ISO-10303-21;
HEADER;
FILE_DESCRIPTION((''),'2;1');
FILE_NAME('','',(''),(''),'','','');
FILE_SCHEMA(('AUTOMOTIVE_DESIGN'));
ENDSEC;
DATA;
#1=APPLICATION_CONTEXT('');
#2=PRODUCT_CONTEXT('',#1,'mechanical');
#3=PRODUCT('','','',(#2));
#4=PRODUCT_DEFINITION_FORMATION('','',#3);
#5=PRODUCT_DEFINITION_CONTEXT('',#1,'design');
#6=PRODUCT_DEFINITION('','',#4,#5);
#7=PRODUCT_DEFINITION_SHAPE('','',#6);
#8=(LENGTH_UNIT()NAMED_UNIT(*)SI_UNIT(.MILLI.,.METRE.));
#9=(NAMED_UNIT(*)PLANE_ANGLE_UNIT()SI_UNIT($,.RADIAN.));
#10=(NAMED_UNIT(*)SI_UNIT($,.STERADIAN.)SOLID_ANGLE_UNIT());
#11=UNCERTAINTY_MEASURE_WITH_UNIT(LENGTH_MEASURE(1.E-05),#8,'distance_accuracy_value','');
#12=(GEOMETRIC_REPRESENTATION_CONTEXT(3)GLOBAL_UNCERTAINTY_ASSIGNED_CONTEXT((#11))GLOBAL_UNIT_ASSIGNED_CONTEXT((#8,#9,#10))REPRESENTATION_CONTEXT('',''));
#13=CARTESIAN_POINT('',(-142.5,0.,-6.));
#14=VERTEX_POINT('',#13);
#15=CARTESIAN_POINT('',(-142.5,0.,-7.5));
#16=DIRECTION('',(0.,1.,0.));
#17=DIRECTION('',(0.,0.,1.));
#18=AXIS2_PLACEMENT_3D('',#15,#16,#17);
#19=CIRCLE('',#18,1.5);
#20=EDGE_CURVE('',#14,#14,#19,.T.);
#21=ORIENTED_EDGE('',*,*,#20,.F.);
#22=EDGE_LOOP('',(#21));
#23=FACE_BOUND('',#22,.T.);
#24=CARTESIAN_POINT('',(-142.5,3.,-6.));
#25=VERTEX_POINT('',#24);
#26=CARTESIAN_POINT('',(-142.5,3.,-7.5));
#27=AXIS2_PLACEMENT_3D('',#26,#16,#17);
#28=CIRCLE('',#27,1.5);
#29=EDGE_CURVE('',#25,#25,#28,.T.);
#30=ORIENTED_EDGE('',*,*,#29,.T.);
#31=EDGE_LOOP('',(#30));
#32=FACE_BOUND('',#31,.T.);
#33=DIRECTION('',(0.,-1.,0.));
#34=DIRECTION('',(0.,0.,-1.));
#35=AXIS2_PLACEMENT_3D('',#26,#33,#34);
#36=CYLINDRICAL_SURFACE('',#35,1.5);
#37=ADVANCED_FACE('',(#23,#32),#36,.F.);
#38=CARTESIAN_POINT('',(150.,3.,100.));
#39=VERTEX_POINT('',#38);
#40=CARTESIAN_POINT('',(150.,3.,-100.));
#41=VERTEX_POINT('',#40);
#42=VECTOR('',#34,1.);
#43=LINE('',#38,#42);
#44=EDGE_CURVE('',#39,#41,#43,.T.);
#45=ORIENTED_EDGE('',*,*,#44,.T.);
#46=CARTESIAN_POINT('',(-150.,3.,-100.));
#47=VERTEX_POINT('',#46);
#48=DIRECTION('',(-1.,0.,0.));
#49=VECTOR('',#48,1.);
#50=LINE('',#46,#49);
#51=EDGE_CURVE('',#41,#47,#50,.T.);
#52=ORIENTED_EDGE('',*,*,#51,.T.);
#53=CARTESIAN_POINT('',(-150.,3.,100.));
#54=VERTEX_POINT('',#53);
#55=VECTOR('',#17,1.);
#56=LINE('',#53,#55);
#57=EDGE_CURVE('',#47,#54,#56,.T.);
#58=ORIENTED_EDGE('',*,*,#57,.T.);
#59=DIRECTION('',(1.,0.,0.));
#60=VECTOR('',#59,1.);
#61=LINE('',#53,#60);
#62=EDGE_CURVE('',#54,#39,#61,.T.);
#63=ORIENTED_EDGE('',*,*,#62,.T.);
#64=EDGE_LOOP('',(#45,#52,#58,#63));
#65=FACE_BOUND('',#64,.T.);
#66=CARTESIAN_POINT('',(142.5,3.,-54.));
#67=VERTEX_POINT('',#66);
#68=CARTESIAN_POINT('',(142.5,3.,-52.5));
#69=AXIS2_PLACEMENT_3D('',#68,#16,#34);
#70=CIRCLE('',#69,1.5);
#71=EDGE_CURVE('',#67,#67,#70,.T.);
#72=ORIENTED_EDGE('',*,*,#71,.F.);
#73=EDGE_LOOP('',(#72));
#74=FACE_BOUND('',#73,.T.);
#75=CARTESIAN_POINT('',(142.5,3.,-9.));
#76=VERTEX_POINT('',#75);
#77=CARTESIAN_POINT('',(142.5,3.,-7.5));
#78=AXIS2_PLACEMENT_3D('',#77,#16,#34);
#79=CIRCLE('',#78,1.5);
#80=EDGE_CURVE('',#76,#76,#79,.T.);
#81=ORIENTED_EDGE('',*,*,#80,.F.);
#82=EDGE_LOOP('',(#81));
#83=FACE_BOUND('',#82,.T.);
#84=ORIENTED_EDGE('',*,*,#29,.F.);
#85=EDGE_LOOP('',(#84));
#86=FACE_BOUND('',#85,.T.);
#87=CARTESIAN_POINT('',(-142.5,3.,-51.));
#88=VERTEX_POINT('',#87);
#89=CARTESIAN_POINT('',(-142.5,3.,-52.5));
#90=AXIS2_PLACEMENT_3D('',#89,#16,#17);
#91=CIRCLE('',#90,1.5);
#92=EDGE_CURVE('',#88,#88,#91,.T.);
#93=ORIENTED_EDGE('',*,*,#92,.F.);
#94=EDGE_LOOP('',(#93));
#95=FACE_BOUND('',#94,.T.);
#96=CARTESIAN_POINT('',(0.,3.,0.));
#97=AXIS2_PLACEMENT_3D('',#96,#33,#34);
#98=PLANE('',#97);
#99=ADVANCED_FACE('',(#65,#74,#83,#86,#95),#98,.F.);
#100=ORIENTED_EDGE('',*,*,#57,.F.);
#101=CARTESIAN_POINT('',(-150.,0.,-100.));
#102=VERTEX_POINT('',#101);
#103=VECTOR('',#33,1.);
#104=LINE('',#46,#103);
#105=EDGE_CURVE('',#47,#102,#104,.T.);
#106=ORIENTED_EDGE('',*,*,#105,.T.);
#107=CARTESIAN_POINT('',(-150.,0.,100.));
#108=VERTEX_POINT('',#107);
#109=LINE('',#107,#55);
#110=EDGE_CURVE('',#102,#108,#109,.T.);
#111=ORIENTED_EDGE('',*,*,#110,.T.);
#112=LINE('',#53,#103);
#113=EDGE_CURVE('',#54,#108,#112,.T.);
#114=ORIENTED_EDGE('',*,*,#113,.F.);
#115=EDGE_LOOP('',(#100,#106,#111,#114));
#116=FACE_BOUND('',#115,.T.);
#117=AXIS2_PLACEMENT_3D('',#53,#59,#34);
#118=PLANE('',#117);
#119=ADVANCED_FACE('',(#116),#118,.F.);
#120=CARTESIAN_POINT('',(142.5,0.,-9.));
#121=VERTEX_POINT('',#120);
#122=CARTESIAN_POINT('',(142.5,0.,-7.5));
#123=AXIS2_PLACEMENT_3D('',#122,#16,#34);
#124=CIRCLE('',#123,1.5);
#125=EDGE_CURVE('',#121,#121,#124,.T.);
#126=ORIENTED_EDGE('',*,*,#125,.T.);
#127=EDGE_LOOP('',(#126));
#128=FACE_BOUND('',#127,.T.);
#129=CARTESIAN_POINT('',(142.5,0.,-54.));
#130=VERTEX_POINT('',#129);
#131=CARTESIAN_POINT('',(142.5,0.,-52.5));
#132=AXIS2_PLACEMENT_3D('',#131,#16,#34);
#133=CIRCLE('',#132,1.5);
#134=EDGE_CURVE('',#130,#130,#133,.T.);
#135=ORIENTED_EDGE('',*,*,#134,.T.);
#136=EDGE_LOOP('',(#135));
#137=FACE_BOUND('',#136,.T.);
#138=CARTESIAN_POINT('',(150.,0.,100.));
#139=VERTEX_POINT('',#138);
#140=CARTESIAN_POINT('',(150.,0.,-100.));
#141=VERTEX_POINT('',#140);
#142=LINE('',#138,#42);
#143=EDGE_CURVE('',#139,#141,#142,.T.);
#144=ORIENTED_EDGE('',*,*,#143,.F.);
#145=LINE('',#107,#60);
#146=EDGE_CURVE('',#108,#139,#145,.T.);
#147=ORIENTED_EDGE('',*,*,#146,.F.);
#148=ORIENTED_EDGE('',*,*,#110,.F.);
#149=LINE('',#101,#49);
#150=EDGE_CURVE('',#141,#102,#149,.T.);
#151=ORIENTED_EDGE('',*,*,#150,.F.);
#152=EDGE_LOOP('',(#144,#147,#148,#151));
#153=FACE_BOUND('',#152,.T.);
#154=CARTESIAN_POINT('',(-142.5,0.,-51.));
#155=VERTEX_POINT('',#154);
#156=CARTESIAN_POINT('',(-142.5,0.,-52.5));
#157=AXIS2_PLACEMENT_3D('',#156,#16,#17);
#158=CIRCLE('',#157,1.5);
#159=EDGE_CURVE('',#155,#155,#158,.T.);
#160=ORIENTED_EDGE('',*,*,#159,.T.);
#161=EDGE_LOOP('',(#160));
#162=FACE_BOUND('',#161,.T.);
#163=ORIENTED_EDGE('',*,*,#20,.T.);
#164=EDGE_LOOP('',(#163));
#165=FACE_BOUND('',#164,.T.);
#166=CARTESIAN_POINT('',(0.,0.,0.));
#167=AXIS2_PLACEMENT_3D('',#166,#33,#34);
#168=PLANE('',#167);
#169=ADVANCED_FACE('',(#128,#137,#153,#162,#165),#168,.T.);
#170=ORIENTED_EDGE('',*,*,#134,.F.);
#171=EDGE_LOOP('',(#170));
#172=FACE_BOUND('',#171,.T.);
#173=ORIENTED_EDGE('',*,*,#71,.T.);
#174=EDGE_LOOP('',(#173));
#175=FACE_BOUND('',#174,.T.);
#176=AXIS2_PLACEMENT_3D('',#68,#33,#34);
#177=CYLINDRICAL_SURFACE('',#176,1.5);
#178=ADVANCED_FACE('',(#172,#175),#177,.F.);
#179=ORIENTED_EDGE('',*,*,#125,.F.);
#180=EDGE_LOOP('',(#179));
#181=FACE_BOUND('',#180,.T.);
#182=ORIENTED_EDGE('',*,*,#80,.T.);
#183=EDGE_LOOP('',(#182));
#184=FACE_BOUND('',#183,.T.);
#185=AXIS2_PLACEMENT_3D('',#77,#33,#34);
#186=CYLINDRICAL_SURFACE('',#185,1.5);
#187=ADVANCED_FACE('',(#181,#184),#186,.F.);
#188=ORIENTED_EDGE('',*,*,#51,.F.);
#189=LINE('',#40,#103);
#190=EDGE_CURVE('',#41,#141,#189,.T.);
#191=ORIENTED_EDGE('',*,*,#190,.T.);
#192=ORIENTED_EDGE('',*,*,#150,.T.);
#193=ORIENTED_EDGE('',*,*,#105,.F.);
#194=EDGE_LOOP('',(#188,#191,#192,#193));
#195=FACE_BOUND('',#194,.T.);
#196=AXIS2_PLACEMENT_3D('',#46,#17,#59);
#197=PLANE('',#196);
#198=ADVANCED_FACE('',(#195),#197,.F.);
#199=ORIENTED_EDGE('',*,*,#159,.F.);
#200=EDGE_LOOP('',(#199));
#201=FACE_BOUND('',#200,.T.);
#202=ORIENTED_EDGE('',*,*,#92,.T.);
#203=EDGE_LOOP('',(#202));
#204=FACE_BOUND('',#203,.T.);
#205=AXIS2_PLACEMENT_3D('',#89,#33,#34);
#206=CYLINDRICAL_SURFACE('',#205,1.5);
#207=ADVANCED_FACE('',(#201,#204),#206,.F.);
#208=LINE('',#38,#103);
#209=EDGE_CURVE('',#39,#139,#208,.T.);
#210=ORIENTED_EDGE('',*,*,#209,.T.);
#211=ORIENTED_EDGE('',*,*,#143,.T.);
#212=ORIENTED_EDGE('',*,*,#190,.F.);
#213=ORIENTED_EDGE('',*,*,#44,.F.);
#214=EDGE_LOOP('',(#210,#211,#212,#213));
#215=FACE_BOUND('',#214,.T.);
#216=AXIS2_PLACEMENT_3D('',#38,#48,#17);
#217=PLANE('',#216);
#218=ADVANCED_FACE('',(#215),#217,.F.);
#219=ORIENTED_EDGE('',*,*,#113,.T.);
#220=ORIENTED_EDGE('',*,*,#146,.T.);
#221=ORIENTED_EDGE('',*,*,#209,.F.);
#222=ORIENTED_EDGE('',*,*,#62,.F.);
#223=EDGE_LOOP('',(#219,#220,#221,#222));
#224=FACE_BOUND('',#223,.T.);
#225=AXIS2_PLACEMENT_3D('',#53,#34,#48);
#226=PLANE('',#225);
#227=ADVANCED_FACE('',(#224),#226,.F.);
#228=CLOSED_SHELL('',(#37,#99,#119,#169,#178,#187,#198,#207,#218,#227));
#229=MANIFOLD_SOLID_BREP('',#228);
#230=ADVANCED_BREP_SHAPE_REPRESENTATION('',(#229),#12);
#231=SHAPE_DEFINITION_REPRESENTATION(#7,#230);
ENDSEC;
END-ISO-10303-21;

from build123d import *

# Parameters (mm, degrees)
ESBO_O1_W                = 300
ESBO_O1_H                = 200
ESBO_O1_R                = 1.5
RESSALTO_EXTRUS_O1_DEPTH = 3


with BuildPart() as part:
    # Esboço1 → Ressalto-extrusão1 (new body)
    with BuildSketch(Plane(origin=(0, 0, 0), x_dir=(1, 0, 0), z_dir=(0, 1, 0))):
        Rectangle(ESBO_O1_W, ESBO_O1_H)
        with Locations(Location((-142.5, 52.5, 0), (0, 0, 270))):
            Circle(ESBO_O1_R, mode=Mode.SUBTRACT)
        with Locations(Location((-142.5, 7.5, 0), (0, 0, 270))):
            Circle(ESBO_O1_R, mode=Mode.SUBTRACT)
        with Locations(Location((142.5, 7.5, 0), (0, 0, 90))):
            Circle(ESBO_O1_R, mode=Mode.SUBTRACT)
        with Locations(Location((142.5, 52.5, 0), (0, 0, 90))):
            Circle(ESBO_O1_R, mode=Mode.SUBTRACT)
    extrude(amount=RESSALTO_EXTRUS_O1_DEPTH)


solid = part.part
